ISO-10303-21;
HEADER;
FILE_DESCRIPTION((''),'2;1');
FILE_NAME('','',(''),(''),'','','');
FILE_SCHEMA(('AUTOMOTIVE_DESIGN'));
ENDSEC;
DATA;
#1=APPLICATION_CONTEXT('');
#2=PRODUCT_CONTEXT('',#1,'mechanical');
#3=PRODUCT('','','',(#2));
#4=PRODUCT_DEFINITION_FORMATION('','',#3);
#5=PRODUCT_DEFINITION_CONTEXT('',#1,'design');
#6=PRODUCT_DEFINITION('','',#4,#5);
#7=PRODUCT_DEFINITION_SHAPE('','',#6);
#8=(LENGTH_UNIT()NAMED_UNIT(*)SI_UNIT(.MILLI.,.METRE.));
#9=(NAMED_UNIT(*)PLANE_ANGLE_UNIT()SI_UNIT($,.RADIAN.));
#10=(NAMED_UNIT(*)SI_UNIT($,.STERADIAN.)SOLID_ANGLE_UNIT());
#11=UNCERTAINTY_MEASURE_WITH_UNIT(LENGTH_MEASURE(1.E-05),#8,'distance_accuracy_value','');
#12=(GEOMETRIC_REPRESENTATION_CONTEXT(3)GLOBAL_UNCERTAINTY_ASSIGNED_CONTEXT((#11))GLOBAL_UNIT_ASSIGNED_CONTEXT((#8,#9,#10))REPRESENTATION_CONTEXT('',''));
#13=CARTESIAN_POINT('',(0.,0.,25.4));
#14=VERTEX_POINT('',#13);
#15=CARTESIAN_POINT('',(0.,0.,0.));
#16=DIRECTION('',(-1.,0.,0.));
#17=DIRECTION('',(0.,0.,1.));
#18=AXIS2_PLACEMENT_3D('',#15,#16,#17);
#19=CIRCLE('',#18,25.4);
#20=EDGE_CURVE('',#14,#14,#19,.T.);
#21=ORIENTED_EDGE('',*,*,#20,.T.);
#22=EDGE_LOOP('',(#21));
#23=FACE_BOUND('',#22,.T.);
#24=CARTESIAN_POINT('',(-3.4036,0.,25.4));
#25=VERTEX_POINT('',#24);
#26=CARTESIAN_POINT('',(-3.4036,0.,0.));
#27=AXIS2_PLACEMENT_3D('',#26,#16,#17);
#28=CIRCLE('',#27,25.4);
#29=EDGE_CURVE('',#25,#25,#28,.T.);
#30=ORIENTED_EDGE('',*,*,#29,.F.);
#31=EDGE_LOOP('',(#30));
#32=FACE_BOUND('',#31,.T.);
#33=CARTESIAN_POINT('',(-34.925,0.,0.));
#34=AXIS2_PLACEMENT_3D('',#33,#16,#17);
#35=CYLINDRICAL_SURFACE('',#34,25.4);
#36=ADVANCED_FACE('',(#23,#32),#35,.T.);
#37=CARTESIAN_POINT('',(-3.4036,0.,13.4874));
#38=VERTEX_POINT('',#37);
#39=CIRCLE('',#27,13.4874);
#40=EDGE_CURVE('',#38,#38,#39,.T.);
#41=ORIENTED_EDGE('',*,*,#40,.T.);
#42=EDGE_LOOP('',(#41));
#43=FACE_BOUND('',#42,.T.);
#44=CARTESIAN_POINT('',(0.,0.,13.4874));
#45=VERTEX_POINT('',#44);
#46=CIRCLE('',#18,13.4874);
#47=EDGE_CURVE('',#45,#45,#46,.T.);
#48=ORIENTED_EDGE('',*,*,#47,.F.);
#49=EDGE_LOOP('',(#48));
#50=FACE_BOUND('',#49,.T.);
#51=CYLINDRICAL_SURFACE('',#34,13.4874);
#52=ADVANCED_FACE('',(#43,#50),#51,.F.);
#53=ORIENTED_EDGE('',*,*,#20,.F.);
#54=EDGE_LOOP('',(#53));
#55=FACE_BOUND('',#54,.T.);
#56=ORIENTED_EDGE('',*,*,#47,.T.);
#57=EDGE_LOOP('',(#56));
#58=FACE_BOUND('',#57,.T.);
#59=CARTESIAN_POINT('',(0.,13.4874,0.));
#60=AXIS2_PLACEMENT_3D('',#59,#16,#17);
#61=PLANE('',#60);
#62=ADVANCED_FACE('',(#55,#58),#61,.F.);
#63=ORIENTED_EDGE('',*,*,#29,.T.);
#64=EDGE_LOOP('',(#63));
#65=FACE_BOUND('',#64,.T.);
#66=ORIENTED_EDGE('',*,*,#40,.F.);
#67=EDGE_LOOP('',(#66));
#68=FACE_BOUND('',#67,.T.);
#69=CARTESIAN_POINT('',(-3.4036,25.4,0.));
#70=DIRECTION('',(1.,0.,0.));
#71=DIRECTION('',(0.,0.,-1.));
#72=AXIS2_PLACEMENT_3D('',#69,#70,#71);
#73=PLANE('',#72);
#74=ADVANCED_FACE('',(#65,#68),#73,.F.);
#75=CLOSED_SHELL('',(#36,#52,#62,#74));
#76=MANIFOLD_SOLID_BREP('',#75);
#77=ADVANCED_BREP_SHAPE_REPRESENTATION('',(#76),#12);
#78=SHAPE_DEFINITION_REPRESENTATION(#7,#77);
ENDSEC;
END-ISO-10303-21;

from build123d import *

# Parameters (mm, degrees)
SKETCH1_W = 3.4036
SKETCH1_H = 11.9126


with BuildPart() as part:
    # Sketch1 → Base-Revolve (revolve)
    with BuildSketch(Plane.XY):
        with Locations((-1.7018, 19.4437)):
            Rectangle(SKETCH1_W, SKETCH1_H)
    revolve(axis=Axis((-34.925, 0, 0), (1, 0, 0)))


solid = part.part
